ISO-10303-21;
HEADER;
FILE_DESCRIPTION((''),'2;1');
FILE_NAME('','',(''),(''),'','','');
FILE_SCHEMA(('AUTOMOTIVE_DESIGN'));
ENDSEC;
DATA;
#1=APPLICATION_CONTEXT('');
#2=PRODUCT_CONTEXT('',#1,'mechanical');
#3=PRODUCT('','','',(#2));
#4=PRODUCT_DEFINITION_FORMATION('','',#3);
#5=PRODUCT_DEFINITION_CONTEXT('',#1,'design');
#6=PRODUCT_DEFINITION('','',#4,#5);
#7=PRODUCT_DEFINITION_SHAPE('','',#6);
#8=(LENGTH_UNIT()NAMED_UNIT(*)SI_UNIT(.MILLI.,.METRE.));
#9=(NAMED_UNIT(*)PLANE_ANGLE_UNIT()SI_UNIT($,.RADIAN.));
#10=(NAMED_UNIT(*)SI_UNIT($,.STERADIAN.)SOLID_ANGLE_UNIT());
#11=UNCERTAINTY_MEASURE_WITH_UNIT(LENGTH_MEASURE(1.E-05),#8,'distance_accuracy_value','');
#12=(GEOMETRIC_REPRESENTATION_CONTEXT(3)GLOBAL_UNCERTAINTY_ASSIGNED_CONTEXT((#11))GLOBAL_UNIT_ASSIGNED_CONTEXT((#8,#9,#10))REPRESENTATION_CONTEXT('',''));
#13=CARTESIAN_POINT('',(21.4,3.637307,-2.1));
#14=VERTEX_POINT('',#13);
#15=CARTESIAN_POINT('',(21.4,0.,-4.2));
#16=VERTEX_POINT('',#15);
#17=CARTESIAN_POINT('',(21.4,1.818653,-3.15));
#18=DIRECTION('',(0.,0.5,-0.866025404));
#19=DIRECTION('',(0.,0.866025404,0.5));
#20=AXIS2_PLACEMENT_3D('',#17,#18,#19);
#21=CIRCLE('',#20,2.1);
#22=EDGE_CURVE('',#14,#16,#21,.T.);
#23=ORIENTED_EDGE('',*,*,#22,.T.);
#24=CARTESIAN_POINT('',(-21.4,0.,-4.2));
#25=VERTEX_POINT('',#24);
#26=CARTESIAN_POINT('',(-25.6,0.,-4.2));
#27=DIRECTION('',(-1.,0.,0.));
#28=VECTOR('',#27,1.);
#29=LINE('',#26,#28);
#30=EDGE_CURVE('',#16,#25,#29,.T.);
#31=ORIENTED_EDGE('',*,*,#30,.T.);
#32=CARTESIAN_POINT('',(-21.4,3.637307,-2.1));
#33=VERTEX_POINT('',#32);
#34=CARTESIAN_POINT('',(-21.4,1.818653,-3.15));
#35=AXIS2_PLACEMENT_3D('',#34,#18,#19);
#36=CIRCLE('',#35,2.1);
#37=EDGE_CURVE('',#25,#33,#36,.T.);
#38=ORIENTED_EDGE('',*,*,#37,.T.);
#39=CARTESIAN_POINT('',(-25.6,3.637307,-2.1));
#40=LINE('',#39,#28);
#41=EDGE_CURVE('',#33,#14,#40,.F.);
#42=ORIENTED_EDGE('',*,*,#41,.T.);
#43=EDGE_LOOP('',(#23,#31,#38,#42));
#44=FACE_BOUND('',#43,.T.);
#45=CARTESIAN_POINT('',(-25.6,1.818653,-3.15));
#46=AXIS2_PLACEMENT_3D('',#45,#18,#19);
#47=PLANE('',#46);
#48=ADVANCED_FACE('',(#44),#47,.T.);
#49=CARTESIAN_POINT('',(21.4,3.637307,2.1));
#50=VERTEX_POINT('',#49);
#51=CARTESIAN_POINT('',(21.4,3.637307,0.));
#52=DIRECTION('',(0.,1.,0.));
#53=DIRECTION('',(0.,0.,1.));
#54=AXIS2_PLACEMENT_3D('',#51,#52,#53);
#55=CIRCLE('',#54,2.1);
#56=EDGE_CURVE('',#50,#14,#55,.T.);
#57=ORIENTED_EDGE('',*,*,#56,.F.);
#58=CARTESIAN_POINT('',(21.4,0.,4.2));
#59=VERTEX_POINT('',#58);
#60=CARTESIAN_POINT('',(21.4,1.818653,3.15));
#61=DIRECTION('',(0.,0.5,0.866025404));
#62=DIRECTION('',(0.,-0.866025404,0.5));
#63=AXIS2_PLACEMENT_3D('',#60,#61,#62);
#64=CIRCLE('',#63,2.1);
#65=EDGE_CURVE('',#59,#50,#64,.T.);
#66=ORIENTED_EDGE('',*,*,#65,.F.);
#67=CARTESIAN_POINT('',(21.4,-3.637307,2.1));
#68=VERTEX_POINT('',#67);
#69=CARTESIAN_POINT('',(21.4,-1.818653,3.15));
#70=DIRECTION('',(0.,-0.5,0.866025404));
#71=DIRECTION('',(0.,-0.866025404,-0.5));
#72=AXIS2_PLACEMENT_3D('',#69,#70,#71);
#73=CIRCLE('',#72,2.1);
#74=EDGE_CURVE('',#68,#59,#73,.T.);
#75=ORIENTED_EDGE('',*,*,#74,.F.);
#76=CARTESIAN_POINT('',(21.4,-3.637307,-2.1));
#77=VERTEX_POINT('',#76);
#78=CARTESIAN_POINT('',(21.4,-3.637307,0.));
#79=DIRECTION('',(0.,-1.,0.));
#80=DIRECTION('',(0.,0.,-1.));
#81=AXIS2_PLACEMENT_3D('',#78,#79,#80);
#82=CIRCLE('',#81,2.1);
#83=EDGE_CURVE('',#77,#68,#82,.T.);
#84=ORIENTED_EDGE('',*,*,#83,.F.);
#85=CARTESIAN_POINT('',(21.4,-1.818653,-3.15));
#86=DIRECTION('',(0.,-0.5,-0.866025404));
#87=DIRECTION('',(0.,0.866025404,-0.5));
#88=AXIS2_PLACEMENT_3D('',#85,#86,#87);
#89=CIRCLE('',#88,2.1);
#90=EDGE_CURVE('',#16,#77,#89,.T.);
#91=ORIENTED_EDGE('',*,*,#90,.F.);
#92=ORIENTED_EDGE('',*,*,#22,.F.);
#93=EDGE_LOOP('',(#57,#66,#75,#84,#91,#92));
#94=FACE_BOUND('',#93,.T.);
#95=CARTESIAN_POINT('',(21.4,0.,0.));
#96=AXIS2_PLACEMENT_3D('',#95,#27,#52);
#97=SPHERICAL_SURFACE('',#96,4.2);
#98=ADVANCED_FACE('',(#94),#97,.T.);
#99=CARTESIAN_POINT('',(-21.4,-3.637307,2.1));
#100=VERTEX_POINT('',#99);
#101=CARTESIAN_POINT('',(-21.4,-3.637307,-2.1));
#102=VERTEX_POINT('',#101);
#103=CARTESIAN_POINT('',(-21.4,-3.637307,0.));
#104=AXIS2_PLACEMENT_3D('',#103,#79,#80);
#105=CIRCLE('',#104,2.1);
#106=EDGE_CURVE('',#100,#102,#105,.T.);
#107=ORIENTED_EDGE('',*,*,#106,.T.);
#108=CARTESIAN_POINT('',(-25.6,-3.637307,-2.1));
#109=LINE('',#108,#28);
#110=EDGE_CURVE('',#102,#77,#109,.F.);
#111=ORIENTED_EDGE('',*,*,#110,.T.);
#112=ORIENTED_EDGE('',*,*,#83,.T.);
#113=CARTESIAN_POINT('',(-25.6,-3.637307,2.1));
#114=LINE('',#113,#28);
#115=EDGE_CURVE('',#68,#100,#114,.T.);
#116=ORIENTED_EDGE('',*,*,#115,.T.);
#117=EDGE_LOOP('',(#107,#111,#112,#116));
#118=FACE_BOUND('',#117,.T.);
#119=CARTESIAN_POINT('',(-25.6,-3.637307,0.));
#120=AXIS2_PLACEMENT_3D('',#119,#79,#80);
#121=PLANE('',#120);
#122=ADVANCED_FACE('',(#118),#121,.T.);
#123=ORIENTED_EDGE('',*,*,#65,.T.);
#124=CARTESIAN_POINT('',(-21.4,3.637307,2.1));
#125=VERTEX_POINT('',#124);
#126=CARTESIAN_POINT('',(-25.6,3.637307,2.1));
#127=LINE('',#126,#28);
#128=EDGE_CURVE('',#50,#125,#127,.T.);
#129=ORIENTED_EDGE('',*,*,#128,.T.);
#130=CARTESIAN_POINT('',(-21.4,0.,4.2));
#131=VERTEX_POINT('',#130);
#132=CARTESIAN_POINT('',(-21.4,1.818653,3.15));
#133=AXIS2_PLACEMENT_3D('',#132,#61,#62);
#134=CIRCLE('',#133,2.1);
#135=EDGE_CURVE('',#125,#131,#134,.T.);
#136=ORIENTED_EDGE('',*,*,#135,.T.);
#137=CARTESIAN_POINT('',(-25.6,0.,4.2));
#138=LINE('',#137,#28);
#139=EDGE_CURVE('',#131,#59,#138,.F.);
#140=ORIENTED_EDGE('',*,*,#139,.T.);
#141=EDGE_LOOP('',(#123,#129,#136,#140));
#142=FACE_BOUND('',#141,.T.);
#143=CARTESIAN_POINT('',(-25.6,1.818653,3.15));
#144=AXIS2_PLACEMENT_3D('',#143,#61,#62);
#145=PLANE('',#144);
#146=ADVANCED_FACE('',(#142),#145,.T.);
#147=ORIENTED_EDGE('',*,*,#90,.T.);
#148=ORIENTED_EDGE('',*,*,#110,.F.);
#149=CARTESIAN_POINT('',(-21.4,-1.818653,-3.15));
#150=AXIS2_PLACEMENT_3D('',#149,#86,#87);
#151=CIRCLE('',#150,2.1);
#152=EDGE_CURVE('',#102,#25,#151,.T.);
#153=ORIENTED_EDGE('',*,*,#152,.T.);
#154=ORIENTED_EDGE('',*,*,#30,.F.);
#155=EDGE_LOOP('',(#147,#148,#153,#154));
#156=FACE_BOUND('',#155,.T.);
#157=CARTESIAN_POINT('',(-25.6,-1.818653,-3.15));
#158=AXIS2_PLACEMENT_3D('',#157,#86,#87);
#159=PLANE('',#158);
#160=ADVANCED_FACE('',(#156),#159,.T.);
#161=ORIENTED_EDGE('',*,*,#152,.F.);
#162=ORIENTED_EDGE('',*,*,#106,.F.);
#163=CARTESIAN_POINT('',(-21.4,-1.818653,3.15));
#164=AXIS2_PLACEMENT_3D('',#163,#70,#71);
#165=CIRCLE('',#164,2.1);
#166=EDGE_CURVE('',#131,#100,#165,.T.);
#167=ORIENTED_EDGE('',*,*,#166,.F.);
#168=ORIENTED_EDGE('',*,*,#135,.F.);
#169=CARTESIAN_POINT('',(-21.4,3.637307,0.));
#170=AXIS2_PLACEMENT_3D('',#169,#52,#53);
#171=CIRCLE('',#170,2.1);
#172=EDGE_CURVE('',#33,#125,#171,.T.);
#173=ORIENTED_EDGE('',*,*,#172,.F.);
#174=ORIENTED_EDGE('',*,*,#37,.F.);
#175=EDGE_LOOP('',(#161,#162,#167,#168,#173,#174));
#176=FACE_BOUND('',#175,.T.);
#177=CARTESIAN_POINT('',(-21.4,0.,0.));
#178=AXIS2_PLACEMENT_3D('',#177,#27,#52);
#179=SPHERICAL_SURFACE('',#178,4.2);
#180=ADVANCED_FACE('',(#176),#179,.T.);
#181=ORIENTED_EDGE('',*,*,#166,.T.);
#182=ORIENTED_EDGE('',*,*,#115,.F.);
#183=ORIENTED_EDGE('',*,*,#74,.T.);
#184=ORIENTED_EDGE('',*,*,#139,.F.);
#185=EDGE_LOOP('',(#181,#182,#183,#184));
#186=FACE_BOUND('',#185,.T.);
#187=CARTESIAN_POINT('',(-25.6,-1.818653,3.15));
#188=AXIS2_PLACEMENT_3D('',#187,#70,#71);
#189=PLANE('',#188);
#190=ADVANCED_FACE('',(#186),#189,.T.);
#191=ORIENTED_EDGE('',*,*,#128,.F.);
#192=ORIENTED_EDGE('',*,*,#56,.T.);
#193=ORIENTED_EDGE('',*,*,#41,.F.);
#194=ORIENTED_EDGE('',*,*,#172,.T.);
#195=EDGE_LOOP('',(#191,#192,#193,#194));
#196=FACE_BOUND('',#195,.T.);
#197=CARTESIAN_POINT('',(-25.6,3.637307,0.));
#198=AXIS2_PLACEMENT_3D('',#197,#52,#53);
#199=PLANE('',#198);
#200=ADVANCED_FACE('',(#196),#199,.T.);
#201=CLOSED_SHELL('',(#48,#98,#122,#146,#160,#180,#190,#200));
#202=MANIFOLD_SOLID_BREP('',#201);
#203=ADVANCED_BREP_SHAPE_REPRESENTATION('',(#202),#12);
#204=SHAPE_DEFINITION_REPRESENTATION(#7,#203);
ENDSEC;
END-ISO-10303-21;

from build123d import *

# Parameters (mm, degrees)
OCTAGONAL_CUT_DEPTH      = 27.280030441382678
OCTAGONAL_CUT_DEPTH_BACK = 27.280030441382678


with BuildPart() as part:
    # Sketch1 → Body Revolve (revolve)
    with BuildSketch(Plane.XY):
        with BuildLine():
            Line((-21.400000000000002, 4.2), (21.400000000000002, 4.200000000000008))
            ThreePointArc((21.400000000000002, 4.200000000000008), (24.3698484809835, 2.9698484809835084), (25.6, 9.41e-15))
            Line((25.6, 9.41e-15), (-25.6, 0))
            ThreePointArc((-25.6, 0), (-24.369848480983503, 2.9698484809835), (-21.400000000000002, 4.2))
        make_face()
    revolve(axis=Axis((-25.6, 0, 0), (1, 1.8e-16, 0)))

    # Sketch2 → Octagonal Cut (cut, two sides: drawn at the far end of the back side and taken through both)
    with BuildSketch(Plane(origin=(0, 0, 0), x_dir=(0, 0, -1), z_dir=(1, 0, 0)).offset(-OCTAGONAL_CUT_DEPTH_BACK)):
        with BuildLine():
            Line((-4.1999999999999975, 8.44e-15), (-2.0999999999999983, 3.637306695894651))
            ThreePointArc((-2.099999999999999, 3.637306695894651), (-3.6373066958946416, 2.10000000000001), (-4.2, 9.15e-15))
        make_face()
        with BuildLine():
            ThreePointArc((2.1000000000000005, 3.6373066958946505), (2.6e-16, 4.200000000000009), (-2.099999999999999, 3.637306695894651))
            Line((-2.0999999999999983, 3.637306695894651), (2.1, 3.6373066958946496))
        make_face()
        with BuildLine():
            ThreePointArc((4.2, 8.63e-15), (3.6373066958946425, 2.100000000000008), (2.1000000000000005, 3.6373066958946505))
            Line((2.1, 3.6373066958946496), (4.199999999999999, 8.08e-15))
        make_face()
        with BuildLine():
            ThreePointArc((2.1000000000000005, -3.6373066958946336), (3.6373066958946434, -2.0999999999999903), (4.2, 7.61e-15))
            Line((4.199999999999999, 7.99e-15), (2.1, -3.6373066958946327))
        make_face()
        with BuildLine():
            Line((2.1000000000000005, -3.6373066958946327), (-2.0999999999999988, -3.637306695894634))
            ThreePointArc((-2.0999999999999983, -3.637306695894635), (-7.7e-16, -4.199999999999991), (2.1000000000000005, -3.6373066958946336))
        make_face()
        with BuildLine():
            Line((-2.0999999999999988, -3.637306695894634), (-4.1999999999999975, 8.2e-15))
            ThreePointArc((-4.2, 9.15e-15), (-3.637306695894642, -2.099999999999992), (-2.0999999999999983, -3.637306695894635))
        make_face()
    extrude(amount=OCTAGONAL_CUT_DEPTH + OCTAGONAL_CUT_DEPTH_BACK, mode=Mode.SUBTRACT)


solid = part.part
